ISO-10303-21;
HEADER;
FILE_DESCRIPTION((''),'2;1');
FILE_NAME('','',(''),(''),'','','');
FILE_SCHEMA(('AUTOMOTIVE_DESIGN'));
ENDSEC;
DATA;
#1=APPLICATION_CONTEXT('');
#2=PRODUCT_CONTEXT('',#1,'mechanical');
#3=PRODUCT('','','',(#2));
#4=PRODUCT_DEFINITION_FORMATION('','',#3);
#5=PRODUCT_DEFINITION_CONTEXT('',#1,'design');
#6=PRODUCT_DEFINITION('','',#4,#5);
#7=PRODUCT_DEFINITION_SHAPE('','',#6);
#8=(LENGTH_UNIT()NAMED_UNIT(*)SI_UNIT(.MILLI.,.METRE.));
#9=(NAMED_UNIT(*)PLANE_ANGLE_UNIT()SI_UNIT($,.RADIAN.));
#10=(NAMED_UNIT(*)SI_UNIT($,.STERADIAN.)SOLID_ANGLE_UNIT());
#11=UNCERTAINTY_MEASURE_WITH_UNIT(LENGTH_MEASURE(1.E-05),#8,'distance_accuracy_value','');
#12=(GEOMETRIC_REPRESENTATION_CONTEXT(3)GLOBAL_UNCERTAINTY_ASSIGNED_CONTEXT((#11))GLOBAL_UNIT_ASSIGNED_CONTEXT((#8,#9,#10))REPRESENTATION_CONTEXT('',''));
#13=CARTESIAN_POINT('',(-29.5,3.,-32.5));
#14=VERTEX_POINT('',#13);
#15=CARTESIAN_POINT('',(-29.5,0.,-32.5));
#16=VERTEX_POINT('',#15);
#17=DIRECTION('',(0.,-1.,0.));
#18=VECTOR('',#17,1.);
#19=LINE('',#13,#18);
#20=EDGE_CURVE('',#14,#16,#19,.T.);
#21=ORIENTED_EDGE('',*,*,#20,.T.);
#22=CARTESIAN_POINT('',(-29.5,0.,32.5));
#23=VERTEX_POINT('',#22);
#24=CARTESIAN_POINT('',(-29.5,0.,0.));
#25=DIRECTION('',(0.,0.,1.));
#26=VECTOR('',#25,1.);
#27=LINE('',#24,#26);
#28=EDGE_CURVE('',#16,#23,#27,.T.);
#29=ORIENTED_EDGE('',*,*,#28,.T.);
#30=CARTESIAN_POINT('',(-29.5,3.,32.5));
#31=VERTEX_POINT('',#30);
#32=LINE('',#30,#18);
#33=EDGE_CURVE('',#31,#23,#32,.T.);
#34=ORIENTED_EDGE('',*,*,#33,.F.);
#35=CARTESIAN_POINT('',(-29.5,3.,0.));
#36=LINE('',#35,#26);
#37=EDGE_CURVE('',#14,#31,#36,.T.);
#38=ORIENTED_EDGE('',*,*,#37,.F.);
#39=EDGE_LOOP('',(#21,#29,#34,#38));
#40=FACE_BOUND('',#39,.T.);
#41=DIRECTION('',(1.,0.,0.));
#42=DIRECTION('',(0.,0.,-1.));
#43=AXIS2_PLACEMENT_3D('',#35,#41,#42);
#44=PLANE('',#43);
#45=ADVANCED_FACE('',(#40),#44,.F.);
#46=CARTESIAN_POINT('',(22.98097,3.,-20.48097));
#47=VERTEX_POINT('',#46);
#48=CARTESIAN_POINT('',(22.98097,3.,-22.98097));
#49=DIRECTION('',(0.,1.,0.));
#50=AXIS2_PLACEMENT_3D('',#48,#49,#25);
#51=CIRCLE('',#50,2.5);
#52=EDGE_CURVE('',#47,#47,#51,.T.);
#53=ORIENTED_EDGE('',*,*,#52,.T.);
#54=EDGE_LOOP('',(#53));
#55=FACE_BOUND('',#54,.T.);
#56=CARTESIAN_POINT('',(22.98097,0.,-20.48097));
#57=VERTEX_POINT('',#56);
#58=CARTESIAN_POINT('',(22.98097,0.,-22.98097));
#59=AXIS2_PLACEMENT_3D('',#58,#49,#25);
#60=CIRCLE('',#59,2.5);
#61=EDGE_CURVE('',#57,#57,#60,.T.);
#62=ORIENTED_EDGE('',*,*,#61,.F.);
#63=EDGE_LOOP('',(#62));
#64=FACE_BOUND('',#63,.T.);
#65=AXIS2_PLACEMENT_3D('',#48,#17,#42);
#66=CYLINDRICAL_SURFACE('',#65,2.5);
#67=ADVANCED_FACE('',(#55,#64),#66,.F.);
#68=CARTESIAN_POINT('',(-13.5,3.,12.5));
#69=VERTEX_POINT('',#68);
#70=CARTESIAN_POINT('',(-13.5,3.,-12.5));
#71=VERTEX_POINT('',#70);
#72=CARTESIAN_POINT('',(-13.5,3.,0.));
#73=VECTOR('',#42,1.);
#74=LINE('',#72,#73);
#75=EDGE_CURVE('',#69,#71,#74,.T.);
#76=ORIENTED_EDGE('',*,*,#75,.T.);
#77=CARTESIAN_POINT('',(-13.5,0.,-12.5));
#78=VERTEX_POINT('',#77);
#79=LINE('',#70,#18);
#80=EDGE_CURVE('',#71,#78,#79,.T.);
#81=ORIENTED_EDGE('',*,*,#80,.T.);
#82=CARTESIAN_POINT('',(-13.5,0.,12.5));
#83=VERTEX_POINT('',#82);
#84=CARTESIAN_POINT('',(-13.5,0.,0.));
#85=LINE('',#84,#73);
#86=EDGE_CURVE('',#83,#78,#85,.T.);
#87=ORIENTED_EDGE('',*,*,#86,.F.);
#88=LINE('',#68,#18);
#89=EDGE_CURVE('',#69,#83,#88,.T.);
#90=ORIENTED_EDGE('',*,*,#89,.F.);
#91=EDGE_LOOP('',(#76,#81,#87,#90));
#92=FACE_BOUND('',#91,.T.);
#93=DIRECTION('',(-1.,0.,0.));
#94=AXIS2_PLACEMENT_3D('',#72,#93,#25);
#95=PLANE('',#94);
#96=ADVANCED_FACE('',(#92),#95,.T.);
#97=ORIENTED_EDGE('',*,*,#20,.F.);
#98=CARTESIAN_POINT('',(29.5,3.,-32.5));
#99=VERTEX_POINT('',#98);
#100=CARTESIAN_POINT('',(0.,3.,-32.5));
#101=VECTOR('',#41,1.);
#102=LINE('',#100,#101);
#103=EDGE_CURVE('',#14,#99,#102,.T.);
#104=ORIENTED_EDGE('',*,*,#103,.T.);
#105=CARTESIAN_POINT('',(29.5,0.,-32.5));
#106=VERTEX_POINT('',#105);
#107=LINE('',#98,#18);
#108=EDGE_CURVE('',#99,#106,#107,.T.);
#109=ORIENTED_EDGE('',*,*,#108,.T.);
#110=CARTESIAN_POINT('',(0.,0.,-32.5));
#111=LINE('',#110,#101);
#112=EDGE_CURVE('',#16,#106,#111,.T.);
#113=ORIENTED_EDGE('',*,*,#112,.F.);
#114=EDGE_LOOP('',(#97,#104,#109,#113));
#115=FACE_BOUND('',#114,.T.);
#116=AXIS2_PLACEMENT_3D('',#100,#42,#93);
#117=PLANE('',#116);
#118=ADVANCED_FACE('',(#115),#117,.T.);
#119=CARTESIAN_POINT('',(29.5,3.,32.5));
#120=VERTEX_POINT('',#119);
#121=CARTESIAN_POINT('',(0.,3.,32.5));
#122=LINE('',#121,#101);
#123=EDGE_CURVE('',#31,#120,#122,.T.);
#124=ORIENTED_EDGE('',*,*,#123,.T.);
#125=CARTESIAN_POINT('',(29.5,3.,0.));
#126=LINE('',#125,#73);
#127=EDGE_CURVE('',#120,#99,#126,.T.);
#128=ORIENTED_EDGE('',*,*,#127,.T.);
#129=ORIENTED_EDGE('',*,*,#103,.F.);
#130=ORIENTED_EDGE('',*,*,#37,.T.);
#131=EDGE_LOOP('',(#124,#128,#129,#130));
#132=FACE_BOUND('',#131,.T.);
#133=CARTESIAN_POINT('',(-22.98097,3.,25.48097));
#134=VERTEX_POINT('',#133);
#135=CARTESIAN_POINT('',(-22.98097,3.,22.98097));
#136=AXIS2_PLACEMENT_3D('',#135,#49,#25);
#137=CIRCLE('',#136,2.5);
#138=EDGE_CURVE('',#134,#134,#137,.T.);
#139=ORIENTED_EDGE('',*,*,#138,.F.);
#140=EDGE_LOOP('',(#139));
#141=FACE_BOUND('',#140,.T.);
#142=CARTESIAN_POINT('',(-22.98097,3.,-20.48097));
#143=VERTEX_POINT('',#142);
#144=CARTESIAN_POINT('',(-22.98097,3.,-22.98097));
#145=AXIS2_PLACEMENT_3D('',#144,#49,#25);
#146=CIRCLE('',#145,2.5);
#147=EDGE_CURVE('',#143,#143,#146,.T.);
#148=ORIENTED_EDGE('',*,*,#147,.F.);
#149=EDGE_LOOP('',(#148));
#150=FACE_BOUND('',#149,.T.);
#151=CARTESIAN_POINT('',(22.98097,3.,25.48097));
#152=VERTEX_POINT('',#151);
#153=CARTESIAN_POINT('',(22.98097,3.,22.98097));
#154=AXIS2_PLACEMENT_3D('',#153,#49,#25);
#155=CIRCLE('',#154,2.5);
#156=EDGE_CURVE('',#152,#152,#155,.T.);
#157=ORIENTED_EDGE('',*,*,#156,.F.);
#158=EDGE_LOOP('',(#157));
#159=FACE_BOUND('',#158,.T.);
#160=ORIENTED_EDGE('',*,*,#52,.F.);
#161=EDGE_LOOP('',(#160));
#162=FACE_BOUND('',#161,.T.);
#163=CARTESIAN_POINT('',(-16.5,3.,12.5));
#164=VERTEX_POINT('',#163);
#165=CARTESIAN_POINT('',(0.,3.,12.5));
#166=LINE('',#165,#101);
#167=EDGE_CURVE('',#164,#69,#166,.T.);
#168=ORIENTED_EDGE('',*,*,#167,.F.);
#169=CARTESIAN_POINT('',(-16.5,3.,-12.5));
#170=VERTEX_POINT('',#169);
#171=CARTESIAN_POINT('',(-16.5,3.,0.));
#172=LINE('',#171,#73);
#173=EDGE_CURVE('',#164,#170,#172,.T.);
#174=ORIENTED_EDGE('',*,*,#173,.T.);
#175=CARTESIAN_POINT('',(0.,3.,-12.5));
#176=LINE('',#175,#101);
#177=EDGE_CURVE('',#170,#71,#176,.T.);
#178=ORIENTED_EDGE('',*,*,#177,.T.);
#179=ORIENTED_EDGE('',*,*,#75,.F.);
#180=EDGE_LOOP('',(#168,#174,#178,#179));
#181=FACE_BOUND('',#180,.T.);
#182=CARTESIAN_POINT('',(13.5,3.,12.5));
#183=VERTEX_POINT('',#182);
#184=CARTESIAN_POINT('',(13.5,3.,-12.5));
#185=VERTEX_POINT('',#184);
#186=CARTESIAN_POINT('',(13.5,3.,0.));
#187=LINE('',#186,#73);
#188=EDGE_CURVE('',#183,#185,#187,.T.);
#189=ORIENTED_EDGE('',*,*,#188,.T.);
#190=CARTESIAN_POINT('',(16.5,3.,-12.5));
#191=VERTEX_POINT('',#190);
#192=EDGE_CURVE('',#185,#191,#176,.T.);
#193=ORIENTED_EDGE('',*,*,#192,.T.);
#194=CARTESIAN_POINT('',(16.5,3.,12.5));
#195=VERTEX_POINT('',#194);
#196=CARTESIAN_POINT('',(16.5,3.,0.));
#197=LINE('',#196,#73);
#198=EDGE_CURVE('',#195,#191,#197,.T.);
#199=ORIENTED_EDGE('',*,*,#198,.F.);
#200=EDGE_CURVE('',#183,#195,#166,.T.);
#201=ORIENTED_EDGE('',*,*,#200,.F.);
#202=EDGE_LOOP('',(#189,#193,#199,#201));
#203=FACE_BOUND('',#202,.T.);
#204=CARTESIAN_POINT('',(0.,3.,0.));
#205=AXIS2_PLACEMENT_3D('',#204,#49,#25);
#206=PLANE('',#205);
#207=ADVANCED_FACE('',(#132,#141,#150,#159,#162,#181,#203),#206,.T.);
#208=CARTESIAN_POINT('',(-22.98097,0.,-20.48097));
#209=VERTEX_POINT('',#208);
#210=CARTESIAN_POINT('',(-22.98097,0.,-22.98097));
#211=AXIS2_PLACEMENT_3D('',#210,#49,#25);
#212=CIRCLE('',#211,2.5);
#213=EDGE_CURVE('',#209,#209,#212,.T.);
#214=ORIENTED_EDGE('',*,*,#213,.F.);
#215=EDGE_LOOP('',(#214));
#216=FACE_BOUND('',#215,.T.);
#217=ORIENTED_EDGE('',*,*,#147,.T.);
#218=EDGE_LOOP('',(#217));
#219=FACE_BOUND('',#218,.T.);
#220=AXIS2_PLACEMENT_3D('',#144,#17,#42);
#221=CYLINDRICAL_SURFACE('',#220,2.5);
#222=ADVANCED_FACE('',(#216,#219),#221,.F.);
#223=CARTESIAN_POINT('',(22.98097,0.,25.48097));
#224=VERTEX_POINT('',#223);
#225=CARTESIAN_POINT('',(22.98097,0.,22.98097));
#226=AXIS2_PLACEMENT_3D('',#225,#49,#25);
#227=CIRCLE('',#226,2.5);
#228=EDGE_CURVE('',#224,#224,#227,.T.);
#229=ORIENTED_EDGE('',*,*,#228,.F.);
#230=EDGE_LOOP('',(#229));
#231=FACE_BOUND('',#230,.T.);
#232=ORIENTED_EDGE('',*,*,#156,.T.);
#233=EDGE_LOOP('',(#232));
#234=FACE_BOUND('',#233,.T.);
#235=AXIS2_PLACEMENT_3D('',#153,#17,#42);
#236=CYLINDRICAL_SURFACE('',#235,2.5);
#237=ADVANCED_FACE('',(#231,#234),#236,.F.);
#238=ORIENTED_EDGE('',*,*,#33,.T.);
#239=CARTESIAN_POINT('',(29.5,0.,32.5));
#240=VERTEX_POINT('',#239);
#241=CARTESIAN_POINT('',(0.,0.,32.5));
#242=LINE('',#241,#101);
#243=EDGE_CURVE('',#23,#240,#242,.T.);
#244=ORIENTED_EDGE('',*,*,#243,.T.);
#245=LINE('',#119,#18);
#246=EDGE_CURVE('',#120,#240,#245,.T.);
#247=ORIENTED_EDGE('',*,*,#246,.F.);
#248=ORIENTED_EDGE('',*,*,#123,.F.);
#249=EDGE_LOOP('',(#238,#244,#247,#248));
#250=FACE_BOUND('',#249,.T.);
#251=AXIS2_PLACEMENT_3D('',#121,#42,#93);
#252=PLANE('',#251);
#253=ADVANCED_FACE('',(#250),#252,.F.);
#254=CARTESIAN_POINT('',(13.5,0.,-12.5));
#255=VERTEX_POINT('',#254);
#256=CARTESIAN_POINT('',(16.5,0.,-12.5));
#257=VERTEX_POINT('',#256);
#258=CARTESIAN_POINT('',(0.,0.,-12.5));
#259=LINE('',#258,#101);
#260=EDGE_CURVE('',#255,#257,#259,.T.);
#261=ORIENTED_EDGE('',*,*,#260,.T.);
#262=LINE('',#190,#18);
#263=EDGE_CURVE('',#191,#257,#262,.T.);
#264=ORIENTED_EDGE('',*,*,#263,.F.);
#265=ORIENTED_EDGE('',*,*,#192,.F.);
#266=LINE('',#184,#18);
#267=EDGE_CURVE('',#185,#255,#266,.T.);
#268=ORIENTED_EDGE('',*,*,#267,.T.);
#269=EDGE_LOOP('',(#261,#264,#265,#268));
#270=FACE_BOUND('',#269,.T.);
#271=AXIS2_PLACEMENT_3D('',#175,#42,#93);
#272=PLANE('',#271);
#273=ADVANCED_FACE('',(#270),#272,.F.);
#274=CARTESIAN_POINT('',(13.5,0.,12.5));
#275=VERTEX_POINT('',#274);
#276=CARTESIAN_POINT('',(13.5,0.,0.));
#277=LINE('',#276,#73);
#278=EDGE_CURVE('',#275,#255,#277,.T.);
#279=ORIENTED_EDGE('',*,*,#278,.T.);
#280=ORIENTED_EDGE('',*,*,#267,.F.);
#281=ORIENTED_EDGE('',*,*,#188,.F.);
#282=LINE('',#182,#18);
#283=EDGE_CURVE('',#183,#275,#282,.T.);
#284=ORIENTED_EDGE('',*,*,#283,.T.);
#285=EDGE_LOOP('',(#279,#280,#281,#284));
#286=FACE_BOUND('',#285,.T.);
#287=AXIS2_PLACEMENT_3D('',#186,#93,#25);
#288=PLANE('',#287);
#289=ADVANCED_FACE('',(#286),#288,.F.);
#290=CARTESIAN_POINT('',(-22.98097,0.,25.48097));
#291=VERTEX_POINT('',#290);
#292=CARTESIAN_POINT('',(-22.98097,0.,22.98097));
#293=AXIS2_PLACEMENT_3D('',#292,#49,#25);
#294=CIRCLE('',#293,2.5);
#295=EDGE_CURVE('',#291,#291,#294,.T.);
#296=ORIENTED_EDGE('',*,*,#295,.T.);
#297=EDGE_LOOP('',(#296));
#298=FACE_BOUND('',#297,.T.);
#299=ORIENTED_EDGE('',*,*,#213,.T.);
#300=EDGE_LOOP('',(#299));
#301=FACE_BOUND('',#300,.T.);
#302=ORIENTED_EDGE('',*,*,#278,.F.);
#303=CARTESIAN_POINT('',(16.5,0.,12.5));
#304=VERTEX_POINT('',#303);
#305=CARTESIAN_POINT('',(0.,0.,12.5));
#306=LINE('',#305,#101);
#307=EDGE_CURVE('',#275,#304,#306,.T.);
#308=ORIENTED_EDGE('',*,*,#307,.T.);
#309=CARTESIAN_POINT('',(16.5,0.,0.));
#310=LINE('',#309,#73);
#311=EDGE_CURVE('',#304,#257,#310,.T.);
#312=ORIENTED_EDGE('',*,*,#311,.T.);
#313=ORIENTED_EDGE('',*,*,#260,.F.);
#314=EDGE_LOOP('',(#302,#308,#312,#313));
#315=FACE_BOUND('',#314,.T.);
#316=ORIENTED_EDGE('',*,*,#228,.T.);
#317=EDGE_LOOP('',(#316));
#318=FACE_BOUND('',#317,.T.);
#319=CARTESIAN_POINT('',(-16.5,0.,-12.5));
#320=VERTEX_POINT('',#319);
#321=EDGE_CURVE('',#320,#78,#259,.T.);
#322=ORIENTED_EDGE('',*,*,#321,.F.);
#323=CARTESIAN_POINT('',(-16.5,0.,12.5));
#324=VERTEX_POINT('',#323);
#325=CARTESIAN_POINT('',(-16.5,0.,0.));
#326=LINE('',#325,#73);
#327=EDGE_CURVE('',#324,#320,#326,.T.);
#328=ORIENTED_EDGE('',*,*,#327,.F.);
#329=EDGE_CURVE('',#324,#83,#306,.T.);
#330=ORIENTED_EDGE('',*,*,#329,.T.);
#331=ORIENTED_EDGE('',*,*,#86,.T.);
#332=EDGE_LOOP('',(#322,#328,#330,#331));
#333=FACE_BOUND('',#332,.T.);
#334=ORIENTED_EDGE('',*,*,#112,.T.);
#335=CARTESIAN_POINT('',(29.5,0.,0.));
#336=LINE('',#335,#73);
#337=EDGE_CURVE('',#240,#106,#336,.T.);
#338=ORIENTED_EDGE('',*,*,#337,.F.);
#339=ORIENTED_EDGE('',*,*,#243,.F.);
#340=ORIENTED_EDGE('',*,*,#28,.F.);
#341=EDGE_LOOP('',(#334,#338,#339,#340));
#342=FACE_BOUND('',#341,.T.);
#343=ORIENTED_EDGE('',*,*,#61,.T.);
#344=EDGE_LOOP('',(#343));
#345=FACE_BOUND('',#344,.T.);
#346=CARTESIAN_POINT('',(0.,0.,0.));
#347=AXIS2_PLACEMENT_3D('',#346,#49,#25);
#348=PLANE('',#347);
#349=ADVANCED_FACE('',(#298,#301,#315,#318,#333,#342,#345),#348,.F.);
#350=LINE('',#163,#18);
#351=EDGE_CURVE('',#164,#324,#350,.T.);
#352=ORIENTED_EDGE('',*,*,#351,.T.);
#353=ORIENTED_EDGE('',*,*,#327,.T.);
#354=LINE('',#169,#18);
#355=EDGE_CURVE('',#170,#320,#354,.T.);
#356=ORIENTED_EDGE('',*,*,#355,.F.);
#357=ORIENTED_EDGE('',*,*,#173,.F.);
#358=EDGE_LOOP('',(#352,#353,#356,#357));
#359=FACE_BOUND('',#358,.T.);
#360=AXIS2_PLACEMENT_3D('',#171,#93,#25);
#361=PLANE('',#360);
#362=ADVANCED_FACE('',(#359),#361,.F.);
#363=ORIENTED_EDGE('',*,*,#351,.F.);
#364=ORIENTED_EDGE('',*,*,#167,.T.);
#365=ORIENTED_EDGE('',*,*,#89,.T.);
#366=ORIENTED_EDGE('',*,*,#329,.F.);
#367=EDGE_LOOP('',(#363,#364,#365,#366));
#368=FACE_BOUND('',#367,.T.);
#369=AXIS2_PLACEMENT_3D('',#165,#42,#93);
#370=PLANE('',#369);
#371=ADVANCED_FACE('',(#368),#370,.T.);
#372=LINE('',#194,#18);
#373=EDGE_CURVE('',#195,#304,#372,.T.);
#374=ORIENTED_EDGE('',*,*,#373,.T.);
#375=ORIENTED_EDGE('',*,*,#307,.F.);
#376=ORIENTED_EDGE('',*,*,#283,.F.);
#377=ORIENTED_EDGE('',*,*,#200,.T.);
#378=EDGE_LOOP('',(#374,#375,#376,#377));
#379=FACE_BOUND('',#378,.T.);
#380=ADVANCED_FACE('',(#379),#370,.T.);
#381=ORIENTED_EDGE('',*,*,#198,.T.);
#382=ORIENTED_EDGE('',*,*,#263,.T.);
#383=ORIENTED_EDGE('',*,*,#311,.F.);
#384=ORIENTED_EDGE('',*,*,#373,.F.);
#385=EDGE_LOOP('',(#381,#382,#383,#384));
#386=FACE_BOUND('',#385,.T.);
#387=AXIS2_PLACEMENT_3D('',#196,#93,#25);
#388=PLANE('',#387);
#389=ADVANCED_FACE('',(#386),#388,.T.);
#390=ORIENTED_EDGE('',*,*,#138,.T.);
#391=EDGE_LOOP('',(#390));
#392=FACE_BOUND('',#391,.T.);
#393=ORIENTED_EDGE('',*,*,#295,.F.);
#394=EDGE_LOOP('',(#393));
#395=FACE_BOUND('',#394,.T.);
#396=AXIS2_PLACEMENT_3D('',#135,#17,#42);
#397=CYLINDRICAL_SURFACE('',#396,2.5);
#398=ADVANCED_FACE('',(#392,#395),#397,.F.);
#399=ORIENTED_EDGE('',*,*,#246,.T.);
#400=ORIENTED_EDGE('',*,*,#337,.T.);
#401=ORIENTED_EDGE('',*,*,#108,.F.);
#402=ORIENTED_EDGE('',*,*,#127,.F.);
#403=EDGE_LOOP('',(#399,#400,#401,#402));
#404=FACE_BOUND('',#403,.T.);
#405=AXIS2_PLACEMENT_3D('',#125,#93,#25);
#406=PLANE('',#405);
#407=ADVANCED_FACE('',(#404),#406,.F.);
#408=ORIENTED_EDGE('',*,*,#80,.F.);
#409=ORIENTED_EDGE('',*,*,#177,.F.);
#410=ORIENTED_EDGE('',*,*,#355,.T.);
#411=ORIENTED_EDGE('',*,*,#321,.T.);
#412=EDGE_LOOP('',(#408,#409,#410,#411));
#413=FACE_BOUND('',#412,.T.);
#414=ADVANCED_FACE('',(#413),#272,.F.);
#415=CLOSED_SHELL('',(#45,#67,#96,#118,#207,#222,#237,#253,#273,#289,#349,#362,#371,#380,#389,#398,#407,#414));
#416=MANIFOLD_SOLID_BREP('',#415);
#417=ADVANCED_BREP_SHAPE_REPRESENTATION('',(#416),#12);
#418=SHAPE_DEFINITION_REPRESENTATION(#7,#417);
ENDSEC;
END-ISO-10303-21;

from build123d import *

# Parameters (mm, degrees)
SKETCH1_R           = 2.5
SKETCH1_W           = 3
SKETCH1_H           = 25
BOSS_EXTRUDE1_DEPTH = 3


with BuildPart() as part:
    # Sketch1 → Boss-Extrude1 (new body)
    with BuildSketch(Plane(origin=(0, 0, 0), x_dir=(1, 0, 0), z_dir=(0, 1, 0))):
        Polygon((-29.5, 32.5), (-29.5, 12.5), (-29.5, -12.5), (-29.5, -32.5), (29.5, -32.5), (29.5, -12.5), (29.5, 12.5), (29.5, 32.5), align=None)
        with Locations((-22.980970389, -22.980970389)):
            Circle(SKETCH1_R, mode=Mode.SUBTRACT)
        with Locations((22.980970389, -22.980970389)):
            Circle(SKETCH1_R, mode=Mode.SUBTRACT)
        with Locations((-15, 0)):
            Rectangle(SKETCH1_W, SKETCH1_H, mode=Mode.SUBTRACT)
        with Locations((-22.980970389, 22.980970389)):
            Circle(SKETCH1_R, mode=Mode.SUBTRACT)
        with Locations((15, 0)):
            Rectangle(SKETCH1_W, SKETCH1_H, mode=Mode.SUBTRACT)
        with Locations((22.980970389, 22.980970389)):
            Circle(SKETCH1_R, mode=Mode.SUBTRACT)
    extrude(amount=BOSS_EXTRUDE1_DEPTH)


solid = part.part
